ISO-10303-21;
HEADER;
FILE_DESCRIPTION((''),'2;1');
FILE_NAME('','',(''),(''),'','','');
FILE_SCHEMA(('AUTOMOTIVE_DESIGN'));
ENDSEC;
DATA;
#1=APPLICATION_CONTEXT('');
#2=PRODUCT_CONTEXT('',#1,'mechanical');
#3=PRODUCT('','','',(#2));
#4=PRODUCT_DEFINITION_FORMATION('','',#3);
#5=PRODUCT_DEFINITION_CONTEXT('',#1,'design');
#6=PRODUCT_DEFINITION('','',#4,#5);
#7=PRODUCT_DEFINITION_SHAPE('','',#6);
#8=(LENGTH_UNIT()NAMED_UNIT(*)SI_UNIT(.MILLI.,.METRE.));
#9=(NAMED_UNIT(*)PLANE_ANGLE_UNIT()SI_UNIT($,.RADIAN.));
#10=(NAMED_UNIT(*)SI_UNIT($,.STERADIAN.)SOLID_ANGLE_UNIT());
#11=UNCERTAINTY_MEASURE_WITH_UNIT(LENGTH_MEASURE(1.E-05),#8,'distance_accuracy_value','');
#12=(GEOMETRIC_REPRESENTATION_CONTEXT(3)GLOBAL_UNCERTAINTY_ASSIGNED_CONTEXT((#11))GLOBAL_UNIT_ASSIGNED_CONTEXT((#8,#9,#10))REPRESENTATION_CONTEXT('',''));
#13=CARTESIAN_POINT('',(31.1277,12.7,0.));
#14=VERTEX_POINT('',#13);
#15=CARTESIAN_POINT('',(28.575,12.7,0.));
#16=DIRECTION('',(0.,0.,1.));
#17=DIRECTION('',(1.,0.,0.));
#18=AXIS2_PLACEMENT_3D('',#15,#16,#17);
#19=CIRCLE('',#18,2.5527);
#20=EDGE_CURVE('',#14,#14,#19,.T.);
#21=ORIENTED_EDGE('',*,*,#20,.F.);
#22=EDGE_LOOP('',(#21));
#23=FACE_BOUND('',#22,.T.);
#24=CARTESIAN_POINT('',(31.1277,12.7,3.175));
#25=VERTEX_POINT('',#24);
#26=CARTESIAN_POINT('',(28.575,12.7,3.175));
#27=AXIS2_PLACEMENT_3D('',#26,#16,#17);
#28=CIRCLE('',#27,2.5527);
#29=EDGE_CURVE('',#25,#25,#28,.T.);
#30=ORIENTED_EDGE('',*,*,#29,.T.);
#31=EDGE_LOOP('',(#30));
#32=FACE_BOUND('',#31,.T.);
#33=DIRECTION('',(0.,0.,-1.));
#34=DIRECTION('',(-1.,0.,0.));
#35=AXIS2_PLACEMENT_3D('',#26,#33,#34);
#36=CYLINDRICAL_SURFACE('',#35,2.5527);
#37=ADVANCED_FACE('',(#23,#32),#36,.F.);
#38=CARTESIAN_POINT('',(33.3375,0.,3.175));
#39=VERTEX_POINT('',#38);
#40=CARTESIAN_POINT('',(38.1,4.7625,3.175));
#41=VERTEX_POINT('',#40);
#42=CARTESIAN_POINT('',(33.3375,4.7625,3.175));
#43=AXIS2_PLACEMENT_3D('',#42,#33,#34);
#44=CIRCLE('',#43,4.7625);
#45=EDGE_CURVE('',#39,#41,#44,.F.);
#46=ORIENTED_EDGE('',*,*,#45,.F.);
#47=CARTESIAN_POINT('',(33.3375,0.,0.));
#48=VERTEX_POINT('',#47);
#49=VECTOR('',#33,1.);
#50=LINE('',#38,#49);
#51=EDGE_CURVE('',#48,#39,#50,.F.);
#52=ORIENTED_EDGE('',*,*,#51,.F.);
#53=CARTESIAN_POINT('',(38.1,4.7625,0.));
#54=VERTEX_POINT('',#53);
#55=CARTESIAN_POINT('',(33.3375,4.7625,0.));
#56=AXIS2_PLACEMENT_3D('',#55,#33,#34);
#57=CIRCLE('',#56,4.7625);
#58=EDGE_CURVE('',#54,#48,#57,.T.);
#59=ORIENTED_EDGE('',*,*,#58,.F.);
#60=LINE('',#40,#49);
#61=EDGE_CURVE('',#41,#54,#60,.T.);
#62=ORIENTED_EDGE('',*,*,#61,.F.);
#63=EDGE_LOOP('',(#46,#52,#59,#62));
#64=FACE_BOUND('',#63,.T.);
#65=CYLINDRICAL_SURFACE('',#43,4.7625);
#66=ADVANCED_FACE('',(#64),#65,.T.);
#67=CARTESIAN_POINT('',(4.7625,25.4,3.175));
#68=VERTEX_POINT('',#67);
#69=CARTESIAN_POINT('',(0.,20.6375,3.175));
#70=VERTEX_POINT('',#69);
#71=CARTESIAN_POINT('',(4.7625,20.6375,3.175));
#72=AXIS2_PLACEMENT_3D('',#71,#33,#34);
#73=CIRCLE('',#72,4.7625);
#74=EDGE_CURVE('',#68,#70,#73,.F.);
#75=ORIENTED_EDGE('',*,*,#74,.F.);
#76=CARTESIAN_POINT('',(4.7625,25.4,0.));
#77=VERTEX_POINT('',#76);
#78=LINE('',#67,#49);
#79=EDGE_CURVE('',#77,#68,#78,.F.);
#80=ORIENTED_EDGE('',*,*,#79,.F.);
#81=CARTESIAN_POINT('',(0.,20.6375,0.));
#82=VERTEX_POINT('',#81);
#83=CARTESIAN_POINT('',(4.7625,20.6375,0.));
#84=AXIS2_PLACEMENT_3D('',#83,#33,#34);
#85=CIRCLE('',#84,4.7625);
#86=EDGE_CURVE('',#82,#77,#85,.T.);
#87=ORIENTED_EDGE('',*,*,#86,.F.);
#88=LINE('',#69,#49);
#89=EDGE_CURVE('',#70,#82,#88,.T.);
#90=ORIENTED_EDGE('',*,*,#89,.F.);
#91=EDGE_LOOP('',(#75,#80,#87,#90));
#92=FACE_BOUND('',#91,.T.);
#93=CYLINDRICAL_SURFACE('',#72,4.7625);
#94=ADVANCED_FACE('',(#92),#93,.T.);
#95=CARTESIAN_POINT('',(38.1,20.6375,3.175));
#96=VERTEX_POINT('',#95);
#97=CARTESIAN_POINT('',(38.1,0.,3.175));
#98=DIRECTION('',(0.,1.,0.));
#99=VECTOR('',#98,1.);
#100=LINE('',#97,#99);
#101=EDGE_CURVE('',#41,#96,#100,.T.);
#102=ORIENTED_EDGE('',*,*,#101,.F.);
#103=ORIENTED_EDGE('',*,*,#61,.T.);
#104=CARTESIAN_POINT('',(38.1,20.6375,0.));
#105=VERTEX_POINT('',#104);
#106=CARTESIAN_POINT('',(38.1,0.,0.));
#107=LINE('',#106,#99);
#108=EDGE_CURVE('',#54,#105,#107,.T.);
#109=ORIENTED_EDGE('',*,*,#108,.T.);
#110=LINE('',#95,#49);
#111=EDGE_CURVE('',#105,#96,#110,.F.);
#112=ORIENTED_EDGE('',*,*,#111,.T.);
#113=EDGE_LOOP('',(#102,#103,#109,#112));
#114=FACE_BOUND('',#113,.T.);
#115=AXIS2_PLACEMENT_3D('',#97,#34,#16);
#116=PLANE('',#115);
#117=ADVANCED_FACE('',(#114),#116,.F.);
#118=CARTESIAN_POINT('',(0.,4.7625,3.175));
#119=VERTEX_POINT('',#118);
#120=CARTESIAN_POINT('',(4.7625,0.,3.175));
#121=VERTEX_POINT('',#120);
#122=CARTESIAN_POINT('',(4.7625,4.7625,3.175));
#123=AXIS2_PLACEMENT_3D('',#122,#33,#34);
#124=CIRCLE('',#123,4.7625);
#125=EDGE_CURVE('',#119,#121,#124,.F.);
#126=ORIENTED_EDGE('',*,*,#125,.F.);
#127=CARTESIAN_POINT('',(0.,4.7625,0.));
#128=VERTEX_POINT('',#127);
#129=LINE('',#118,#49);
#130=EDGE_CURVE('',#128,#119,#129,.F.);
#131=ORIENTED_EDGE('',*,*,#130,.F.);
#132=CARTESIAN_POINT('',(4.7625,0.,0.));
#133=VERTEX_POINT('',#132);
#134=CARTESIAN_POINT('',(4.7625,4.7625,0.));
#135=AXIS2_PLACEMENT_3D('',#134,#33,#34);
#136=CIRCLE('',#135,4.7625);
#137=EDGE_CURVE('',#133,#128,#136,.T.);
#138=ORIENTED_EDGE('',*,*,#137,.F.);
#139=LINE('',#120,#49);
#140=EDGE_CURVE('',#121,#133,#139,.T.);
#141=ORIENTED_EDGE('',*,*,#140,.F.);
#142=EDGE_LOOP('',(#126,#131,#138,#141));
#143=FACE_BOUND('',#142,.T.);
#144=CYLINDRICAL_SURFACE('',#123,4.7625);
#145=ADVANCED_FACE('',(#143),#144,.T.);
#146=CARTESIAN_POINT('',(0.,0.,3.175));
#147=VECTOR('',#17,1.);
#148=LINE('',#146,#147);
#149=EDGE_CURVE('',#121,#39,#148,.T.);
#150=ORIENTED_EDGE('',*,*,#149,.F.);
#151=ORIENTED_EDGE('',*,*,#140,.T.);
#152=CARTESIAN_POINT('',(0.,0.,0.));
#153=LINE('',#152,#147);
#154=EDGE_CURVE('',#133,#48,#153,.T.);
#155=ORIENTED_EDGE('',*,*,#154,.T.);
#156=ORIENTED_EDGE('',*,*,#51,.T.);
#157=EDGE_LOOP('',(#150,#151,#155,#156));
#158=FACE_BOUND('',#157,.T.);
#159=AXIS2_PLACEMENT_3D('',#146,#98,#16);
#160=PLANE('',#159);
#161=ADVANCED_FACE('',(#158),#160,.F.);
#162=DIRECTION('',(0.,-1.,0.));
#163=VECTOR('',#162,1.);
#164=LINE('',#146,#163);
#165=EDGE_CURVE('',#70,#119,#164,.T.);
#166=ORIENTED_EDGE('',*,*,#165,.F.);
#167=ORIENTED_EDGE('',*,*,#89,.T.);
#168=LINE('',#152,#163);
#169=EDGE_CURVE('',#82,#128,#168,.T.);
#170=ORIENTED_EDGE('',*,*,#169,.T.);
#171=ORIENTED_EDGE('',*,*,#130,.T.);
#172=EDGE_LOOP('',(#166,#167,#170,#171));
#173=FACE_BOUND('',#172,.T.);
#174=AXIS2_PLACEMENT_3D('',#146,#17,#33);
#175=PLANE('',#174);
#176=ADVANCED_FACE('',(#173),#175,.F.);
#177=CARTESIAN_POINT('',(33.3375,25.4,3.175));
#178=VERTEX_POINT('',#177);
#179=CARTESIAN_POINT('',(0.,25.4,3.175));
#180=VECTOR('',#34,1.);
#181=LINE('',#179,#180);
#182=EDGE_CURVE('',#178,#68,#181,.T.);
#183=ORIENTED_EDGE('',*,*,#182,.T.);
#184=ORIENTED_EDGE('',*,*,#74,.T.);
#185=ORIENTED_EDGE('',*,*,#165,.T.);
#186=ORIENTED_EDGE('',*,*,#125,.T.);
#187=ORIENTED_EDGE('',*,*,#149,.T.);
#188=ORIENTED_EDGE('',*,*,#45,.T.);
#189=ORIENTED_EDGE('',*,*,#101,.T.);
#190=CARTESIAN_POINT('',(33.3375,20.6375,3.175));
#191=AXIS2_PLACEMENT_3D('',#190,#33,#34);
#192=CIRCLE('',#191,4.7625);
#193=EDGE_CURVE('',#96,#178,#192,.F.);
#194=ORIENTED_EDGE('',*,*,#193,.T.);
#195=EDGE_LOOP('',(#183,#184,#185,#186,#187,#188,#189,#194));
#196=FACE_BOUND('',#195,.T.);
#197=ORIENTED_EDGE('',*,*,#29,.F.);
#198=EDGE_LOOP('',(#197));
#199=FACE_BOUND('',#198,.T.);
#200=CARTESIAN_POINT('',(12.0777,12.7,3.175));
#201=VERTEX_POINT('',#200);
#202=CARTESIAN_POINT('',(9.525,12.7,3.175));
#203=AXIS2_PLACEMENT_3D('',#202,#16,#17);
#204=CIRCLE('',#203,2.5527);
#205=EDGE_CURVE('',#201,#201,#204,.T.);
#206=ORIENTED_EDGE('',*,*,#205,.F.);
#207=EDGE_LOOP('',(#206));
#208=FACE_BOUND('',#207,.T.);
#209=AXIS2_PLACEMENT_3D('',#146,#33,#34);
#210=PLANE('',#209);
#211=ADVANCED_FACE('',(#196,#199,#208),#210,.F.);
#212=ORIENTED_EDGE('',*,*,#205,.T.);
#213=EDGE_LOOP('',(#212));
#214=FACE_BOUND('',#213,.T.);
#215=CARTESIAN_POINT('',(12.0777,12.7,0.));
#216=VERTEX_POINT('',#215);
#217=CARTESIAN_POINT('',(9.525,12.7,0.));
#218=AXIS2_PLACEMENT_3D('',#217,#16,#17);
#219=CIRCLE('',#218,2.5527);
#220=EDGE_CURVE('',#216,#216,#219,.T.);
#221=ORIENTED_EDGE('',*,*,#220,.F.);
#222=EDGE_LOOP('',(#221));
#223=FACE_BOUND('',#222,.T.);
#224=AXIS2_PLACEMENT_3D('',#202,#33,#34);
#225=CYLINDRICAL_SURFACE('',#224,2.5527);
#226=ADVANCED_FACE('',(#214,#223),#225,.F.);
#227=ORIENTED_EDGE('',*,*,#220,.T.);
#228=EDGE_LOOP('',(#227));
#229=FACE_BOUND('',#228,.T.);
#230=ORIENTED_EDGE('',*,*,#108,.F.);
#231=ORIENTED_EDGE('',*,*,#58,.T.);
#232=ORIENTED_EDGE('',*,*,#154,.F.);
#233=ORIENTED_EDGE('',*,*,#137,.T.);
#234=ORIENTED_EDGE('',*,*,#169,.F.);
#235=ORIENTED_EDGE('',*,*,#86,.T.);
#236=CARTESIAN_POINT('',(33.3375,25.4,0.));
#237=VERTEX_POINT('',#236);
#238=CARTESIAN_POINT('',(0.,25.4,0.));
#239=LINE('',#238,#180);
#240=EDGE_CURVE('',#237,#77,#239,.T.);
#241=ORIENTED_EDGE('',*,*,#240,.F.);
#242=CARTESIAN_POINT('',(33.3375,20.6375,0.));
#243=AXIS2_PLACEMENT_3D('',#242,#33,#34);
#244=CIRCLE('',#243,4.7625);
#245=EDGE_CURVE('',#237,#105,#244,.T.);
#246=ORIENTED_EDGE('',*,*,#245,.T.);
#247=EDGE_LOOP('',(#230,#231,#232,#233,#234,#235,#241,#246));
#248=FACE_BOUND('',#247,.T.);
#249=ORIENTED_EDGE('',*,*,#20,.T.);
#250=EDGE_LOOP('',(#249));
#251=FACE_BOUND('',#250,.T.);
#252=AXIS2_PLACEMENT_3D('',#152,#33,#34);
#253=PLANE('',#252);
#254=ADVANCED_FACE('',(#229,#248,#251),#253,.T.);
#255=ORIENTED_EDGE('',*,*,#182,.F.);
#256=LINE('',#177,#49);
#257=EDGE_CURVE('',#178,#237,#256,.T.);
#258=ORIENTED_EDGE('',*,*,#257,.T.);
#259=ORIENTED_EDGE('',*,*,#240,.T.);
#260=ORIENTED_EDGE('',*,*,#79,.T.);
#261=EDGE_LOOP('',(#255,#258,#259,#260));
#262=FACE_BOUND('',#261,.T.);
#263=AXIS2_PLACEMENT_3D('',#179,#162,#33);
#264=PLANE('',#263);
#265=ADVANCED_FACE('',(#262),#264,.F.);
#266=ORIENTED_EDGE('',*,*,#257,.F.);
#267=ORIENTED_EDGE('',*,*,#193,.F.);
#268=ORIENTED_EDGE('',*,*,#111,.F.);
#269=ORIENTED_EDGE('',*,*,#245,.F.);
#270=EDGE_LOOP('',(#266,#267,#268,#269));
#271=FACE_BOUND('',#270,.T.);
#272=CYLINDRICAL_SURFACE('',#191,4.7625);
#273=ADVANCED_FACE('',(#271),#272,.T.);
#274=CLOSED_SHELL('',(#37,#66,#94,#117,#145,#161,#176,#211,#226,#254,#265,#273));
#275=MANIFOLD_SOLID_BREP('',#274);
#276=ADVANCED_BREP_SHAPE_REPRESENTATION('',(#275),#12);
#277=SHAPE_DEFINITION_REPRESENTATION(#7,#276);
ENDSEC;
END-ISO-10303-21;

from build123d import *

# Parameters (mm, degrees)
SKETCH2_W           = 38.1
SKETCH2_H           = 25.4
SKETCH2_R           = 2.5527
BOSS_EXTRUDE1_DEPTH = 3.175
FILLET1_R           = 4.7625


with BuildPart() as part:
    # Sketch2 → Boss-Extrude1 (new body)
    with BuildSketch(Plane.XY):
        with Locations((19.05, 12.7)):
            Rectangle(SKETCH2_W, SKETCH2_H)
        with Locations((9.525, 12.7)):
            Circle(SKETCH2_R, mode=Mode.SUBTRACT)
        with Locations((28.575, 12.7)):
            Circle(SKETCH2_R, mode=Mode.SUBTRACT)
    extrude(amount=BOSS_EXTRUDE1_DEPTH)

    # Fillet1
    fillet1_edges = [part.edges().sort_by_distance(p)[0] for p in [
        (0, 25.4, 1.5875),
        (38.1, 25.4, 1.5875),
        (38.1, 0, 1.5875),
        (0, 0, 1.5875),
    ]]
    fillet(fillet1_edges, radius=FILLET1_R)


solid = part.part
